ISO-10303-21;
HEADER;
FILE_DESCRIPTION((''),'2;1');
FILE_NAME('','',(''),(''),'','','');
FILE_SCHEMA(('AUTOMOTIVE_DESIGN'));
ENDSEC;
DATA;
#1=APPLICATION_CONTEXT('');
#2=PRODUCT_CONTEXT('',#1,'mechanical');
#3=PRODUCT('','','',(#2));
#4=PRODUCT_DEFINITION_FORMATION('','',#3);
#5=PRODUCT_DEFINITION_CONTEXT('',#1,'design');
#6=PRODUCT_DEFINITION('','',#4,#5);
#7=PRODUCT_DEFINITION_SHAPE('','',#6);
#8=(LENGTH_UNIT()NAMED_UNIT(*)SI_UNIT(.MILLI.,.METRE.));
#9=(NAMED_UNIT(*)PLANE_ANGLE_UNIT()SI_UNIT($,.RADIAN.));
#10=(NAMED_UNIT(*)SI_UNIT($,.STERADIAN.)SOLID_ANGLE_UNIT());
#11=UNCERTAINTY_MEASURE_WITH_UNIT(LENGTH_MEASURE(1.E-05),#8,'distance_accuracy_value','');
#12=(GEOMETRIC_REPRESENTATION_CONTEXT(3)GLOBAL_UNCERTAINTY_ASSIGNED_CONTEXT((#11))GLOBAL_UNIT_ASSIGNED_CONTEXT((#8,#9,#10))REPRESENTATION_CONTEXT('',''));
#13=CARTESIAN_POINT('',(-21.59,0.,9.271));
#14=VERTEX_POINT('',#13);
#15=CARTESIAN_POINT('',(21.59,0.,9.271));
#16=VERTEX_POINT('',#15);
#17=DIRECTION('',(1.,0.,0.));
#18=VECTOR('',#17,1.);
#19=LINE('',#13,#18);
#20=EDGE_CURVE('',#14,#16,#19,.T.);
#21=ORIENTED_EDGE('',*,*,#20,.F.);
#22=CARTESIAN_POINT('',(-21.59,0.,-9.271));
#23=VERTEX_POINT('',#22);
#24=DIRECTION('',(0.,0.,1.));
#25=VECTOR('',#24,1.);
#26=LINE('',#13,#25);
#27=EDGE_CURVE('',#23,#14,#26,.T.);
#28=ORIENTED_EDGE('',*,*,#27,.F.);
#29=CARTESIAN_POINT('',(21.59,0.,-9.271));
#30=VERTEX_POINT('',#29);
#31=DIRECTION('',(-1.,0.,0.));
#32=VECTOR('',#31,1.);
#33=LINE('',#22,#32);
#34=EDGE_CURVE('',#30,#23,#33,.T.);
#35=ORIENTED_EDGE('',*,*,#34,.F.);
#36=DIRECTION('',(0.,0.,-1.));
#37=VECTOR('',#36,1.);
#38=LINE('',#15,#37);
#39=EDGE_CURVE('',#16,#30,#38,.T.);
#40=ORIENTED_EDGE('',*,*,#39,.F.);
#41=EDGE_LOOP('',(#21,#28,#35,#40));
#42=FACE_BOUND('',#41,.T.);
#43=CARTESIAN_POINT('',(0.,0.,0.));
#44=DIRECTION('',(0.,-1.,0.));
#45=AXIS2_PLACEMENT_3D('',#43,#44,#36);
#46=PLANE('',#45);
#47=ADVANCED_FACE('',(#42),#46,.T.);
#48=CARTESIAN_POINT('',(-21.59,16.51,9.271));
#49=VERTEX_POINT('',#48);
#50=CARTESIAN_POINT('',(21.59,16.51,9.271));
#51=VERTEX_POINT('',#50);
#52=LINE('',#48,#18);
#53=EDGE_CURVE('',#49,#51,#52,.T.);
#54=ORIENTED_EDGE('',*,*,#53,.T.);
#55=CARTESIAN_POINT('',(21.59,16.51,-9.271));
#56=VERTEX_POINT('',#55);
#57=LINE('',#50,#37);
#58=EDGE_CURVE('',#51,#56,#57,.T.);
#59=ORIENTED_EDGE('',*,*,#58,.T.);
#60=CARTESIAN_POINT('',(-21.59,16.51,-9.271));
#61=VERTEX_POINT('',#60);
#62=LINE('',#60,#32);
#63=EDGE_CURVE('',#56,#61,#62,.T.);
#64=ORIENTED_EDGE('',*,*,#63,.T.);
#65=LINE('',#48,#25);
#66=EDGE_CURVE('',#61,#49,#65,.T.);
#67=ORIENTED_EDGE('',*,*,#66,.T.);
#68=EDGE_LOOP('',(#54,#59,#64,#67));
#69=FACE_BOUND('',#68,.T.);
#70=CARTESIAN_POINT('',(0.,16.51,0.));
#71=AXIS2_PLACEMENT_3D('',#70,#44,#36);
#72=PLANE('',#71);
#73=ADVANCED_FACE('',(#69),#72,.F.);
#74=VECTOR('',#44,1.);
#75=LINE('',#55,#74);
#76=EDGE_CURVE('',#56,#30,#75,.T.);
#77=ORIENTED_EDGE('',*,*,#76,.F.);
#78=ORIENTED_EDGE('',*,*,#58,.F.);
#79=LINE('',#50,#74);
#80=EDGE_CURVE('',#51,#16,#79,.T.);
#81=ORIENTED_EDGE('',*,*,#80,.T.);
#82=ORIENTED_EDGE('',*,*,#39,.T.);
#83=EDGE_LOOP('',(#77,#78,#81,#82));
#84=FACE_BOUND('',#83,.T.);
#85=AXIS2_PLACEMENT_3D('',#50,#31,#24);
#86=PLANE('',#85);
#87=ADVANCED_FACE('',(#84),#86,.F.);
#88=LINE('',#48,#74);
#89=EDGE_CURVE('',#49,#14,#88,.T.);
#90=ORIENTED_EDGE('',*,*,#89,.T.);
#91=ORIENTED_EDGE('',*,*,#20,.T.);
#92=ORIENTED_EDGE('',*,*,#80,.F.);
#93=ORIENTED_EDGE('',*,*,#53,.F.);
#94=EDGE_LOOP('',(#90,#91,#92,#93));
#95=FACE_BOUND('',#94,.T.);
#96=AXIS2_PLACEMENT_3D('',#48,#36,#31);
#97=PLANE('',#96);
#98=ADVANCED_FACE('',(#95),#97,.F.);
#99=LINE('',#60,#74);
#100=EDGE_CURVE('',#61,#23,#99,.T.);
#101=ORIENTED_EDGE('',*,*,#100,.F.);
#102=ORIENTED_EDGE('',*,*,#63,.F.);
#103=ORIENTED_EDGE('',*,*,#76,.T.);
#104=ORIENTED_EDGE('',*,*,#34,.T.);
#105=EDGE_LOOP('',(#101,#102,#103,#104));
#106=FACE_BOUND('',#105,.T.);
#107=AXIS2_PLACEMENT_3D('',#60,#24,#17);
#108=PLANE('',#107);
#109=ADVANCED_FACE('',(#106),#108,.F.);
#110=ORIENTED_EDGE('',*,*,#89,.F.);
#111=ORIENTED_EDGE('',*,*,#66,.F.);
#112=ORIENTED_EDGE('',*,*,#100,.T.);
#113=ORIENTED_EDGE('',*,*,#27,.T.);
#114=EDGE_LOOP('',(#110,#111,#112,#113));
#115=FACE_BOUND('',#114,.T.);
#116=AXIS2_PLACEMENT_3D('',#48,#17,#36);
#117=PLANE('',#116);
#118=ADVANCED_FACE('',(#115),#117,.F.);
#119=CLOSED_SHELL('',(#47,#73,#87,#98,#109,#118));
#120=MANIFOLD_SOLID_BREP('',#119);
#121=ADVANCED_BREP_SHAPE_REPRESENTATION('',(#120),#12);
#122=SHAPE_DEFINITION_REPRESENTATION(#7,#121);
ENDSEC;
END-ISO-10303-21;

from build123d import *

# Parameters (mm, degrees)
SKETCH1_W           = 43.18
SKETCH1_H           = 18.542
BOSS_EXTRUDE1_DEPTH = 16.51


with BuildPart() as part:
    # Sketch1 → Boss-Extrude1 (new body)
    with BuildSketch(Plane(origin=(0, 0, 0), x_dir=(1, 0, 0), z_dir=(0, 1, 0))):
        Rectangle(SKETCH1_W, SKETCH1_H)
    extrude(amount=BOSS_EXTRUDE1_DEPTH)


solid = part.part
